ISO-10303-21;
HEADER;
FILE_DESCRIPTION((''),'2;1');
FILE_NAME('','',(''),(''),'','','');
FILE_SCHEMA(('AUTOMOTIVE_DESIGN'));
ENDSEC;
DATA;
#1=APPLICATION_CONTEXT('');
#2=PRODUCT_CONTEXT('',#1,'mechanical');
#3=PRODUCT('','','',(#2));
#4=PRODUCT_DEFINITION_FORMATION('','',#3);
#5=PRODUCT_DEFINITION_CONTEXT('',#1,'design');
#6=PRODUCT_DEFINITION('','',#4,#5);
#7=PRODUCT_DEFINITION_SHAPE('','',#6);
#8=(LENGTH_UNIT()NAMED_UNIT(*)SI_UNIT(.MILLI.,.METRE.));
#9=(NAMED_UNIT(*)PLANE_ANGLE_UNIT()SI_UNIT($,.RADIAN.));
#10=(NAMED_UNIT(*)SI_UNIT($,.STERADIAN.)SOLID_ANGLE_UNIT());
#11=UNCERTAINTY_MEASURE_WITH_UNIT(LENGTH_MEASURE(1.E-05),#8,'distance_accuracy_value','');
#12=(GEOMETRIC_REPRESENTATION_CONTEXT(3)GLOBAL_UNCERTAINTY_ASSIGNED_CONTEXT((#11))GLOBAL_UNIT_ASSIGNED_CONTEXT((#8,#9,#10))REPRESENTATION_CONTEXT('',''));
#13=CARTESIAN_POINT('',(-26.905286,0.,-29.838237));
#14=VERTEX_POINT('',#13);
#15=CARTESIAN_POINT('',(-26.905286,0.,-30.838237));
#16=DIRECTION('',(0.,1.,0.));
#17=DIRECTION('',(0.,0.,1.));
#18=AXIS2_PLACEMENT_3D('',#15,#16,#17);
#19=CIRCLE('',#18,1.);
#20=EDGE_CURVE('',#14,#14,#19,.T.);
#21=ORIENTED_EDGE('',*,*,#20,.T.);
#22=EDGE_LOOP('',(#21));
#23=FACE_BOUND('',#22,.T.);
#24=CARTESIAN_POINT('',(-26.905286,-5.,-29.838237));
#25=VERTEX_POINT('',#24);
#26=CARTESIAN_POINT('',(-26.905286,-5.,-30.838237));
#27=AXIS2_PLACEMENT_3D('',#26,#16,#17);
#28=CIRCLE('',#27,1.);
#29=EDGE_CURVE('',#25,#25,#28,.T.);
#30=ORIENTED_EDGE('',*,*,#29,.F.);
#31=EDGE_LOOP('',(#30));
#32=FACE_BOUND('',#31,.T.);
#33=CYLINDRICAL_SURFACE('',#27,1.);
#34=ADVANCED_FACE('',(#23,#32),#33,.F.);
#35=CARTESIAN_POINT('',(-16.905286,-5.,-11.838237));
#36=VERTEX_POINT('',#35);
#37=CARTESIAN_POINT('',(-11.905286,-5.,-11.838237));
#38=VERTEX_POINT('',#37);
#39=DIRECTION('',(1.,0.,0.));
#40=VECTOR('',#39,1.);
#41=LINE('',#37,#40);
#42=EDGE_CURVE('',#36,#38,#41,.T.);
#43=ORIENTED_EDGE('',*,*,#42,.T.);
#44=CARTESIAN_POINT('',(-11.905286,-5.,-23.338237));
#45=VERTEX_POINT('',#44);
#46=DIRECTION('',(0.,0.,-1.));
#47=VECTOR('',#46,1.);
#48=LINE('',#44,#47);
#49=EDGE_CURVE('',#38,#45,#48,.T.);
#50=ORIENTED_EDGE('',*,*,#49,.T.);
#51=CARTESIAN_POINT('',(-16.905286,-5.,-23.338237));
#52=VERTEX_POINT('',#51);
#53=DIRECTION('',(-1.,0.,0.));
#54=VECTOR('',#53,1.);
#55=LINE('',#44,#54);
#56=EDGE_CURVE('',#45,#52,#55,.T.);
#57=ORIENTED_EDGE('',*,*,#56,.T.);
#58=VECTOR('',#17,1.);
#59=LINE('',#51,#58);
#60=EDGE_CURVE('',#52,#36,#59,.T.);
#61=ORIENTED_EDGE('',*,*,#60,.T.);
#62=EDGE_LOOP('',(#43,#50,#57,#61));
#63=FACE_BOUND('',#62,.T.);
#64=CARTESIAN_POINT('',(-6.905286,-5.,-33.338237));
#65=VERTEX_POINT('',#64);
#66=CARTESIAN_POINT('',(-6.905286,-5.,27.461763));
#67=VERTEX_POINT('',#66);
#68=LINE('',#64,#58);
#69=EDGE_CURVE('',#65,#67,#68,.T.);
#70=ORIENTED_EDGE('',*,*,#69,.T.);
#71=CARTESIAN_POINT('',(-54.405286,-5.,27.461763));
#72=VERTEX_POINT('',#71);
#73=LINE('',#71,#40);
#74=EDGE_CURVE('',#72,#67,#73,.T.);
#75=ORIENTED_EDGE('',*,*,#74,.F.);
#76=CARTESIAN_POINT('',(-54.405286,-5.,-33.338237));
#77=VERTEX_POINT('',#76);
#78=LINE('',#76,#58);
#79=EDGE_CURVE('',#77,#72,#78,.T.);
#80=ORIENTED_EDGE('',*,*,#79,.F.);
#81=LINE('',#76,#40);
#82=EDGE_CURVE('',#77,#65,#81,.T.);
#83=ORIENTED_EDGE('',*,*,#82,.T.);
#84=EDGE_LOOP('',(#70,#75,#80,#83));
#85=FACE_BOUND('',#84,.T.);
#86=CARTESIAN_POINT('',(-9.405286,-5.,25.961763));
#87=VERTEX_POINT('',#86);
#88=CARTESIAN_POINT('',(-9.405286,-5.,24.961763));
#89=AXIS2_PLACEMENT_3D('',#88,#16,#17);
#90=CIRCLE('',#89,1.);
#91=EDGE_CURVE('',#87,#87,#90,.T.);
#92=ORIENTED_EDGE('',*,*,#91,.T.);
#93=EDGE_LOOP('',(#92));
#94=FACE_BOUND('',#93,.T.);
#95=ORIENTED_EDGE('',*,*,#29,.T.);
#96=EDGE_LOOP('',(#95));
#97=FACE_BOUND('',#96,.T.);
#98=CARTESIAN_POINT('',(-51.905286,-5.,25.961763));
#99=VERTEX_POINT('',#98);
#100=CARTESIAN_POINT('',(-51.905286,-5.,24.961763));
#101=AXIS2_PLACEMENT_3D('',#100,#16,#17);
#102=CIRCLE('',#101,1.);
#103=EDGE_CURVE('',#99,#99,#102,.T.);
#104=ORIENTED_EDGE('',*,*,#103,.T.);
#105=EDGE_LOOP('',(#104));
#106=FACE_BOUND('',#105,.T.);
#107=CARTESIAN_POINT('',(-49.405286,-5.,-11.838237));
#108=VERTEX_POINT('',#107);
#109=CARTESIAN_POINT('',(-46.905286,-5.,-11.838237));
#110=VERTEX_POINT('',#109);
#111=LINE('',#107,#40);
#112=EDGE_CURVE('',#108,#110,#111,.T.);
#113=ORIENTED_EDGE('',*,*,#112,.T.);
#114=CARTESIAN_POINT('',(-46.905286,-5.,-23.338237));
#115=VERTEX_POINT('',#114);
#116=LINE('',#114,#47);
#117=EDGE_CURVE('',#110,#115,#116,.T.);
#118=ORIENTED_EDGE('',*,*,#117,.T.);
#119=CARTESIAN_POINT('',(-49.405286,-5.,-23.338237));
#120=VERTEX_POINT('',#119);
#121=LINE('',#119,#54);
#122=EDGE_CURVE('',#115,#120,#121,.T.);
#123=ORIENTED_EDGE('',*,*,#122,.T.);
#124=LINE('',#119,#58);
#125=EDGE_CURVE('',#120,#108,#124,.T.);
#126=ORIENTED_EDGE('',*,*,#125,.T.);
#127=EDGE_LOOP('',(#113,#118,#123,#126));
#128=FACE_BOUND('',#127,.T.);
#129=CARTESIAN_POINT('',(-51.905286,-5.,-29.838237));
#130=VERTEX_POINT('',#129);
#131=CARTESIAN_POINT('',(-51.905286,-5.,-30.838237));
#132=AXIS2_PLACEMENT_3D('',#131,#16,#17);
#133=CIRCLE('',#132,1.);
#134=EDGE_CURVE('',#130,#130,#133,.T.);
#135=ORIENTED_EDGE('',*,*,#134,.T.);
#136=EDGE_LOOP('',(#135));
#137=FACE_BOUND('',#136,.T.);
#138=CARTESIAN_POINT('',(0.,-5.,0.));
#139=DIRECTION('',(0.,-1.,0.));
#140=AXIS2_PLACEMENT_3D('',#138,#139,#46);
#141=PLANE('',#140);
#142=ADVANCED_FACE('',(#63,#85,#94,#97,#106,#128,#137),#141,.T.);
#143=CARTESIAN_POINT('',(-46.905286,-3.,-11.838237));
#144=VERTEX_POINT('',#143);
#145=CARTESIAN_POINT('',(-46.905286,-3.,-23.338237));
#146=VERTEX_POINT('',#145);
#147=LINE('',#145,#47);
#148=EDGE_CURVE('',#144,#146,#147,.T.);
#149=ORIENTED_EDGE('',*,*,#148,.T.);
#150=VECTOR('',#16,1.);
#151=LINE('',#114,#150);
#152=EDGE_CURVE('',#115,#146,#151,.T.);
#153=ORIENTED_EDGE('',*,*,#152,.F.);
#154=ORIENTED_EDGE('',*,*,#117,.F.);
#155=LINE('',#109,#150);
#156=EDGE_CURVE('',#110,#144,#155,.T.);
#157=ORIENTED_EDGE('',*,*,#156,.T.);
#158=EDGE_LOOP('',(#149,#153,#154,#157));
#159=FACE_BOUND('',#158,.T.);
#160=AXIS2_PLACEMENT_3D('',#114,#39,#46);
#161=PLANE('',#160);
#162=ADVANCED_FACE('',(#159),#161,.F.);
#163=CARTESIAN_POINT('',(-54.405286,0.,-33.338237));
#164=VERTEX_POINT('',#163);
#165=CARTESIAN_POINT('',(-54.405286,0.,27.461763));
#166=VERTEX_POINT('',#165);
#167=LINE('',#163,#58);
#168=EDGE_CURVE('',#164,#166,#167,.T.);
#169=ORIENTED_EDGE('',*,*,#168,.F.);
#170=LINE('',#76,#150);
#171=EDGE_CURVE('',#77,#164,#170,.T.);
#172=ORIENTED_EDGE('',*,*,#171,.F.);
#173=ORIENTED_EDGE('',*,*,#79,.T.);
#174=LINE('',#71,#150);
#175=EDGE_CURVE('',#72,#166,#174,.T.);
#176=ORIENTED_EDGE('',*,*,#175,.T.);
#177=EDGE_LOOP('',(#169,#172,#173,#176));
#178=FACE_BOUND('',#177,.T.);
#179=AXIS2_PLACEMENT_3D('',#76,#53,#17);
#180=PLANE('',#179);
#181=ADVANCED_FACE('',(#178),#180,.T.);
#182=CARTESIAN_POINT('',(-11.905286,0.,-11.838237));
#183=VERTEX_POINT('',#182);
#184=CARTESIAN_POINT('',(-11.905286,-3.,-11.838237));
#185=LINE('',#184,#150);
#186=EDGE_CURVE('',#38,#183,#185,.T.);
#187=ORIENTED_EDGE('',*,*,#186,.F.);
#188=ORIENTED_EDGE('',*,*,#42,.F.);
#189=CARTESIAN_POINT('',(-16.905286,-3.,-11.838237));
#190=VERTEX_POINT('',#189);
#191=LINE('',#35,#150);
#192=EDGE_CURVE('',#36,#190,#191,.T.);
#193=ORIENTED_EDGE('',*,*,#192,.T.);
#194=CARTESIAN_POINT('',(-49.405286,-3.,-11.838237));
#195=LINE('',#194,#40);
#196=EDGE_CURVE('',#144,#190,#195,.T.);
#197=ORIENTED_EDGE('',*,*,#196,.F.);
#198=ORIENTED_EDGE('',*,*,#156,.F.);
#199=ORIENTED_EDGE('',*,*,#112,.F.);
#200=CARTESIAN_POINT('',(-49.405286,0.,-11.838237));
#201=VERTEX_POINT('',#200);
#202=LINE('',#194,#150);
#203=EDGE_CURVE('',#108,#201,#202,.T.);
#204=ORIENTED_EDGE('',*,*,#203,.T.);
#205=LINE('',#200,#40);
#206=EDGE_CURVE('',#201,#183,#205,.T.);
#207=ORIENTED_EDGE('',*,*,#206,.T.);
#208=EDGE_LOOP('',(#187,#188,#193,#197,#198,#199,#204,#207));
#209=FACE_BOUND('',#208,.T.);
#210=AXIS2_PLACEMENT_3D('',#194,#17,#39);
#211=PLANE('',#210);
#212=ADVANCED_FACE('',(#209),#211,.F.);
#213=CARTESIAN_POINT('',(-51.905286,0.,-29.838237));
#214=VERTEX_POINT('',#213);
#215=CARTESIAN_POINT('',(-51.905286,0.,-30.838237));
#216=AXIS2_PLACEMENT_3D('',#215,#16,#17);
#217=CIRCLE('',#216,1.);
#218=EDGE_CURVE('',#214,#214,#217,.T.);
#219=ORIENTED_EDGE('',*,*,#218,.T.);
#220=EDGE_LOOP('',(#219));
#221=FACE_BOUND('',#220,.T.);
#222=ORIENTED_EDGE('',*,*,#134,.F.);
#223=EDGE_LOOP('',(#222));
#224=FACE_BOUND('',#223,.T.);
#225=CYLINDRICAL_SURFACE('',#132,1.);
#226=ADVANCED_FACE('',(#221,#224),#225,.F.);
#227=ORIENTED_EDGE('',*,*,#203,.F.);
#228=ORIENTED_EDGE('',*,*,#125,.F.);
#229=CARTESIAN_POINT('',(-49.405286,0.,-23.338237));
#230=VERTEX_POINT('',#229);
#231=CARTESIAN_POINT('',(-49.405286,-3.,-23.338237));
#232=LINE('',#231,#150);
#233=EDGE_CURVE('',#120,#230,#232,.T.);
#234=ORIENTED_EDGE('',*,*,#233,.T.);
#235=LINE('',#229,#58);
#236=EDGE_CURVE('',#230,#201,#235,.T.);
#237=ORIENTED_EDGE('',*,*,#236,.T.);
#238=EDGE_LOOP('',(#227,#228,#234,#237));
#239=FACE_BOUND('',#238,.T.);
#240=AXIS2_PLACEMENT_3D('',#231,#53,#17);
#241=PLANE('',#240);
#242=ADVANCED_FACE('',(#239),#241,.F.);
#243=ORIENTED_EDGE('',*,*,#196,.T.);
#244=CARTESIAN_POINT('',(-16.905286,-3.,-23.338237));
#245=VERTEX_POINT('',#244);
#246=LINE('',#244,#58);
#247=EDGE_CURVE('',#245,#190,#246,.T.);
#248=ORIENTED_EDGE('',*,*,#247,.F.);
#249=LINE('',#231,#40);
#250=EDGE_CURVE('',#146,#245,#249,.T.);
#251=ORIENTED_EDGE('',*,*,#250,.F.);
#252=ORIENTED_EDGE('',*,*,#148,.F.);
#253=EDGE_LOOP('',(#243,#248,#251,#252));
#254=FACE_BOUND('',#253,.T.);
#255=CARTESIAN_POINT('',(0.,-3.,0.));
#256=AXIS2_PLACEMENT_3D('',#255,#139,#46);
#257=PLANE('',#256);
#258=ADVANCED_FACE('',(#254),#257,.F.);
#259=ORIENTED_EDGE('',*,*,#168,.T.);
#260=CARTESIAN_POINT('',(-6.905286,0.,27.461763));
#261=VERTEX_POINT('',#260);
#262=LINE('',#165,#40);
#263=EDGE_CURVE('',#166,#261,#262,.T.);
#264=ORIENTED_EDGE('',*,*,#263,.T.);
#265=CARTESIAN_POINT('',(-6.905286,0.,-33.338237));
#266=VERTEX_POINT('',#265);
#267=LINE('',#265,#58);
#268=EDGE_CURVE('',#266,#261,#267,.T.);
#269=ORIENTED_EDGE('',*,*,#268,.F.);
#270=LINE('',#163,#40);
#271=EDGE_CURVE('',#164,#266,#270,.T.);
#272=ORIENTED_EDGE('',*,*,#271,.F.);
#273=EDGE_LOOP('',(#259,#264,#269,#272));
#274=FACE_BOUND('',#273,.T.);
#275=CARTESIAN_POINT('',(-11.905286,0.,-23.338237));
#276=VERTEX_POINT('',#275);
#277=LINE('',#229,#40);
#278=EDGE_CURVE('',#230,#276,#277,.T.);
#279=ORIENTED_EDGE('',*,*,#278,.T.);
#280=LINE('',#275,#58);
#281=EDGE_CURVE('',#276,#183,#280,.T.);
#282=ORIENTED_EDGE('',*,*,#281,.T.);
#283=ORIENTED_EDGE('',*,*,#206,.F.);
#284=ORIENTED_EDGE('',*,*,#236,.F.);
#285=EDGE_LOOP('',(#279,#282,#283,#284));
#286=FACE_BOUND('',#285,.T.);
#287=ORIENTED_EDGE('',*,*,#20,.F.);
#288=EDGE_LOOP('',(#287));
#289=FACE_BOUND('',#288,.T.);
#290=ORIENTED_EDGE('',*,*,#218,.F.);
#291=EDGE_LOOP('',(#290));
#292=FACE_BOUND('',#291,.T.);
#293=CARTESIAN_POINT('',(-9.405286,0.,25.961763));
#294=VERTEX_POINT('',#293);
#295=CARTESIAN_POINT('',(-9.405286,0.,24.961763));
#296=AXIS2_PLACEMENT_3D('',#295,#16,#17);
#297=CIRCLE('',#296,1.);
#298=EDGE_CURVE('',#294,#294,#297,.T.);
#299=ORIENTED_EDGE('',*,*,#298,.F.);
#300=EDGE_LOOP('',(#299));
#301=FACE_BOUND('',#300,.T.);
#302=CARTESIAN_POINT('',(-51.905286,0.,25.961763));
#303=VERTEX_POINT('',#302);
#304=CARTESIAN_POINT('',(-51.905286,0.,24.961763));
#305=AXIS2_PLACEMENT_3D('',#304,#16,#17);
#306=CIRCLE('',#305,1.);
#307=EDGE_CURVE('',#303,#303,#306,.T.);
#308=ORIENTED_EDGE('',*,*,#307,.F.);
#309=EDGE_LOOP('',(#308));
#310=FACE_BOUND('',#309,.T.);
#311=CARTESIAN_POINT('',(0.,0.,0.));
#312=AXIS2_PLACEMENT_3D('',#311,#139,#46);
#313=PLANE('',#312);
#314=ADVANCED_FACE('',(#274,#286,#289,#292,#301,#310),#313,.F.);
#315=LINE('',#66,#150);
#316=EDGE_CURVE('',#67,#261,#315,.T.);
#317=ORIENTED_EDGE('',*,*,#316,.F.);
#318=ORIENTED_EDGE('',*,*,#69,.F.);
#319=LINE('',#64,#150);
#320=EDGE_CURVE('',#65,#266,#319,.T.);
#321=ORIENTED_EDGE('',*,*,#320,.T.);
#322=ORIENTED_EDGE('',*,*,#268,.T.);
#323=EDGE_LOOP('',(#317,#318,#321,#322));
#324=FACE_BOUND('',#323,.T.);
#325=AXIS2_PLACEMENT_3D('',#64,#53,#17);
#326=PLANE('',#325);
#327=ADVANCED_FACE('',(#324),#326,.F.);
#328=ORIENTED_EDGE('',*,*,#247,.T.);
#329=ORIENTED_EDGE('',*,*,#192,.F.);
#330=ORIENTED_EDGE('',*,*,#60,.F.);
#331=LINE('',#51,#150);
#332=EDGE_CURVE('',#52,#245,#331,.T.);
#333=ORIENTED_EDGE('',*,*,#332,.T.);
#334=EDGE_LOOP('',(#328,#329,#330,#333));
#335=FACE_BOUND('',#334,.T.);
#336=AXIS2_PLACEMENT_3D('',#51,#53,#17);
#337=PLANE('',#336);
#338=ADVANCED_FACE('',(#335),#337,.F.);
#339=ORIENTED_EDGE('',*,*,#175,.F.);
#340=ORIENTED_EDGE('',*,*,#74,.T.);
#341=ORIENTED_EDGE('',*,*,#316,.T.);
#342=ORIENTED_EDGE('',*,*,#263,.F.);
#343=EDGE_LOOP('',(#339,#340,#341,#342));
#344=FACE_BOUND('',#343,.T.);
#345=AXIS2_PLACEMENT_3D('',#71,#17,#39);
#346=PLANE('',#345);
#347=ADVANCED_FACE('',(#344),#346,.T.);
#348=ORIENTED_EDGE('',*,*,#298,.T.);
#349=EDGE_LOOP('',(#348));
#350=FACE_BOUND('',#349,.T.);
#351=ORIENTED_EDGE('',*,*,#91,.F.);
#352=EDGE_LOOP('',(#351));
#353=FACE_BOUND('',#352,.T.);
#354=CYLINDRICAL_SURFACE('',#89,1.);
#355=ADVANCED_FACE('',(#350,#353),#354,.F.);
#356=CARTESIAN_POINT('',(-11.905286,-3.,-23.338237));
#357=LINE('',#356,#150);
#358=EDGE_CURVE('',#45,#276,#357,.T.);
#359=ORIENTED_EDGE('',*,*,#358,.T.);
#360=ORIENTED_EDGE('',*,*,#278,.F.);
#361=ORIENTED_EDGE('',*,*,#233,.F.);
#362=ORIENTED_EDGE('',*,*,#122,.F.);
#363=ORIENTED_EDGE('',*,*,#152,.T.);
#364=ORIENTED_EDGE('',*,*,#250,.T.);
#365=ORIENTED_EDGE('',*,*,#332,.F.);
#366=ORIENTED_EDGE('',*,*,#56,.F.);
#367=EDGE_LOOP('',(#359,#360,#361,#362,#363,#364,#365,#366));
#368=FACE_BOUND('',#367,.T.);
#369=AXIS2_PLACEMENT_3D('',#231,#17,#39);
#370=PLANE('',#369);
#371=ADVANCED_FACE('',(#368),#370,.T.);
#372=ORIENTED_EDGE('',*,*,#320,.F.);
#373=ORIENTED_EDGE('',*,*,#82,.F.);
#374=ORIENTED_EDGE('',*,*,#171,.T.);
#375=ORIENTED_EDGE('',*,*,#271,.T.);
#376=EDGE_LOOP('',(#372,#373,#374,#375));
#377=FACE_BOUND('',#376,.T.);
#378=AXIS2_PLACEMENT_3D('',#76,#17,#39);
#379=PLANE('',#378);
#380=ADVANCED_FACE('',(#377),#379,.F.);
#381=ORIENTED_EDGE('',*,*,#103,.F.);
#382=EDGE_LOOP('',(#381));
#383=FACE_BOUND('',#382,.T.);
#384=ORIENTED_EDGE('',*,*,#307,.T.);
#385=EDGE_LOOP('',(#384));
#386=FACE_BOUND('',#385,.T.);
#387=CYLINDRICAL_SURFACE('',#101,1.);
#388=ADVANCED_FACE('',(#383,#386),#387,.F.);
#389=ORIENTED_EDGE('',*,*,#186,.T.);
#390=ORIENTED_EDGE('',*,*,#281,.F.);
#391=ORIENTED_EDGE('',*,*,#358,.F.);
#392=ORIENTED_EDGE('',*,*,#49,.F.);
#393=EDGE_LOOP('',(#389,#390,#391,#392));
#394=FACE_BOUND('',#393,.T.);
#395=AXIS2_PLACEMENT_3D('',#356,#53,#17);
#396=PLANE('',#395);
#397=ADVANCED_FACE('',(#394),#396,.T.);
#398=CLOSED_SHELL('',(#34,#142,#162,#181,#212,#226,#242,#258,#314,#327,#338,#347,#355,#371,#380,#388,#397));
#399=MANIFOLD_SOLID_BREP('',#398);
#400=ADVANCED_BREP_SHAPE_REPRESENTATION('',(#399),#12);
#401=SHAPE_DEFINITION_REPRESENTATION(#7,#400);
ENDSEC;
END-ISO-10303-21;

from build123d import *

# Parameters (mm, degrees)
SKETCH_1_W          = 47.5
SKETCH_1_H          = 60.8
EXTRUDE_1_DEPTH     = 5
SKETCH_2_W          = 37.5
SKETCH_2_H          = 11.5
CUT_EXTRUDE_1_DEPTH = 3
SKETCH_3_W          = 2.5
SKETCH_3_H          = 11.5
SKETCH_3_W_2        = 5
CUT_EXTRUDE_2_DEPTH = 2
SKETCH_4_R          = 1
CUT_EXTRUDE_3_DEPTH = 5


with BuildPart() as part:
    # 草图1 → 凸台-拉伸1 (new body)
    with BuildSketch(Plane(origin=(0, 0, 0), x_dir=(1, 0, 0), z_dir=(0, 1, 0))):
        with Locations((-30.655286344, 2.938237127)):
            Rectangle(SKETCH_1_W, SKETCH_1_H)
    extrude(amount=-EXTRUDE_1_DEPTH)

    # 草图2 → 切除-拉伸1 (cut)
    with BuildSketch(Plane(origin=(0, 0, 0), x_dir=(1, 0, 0), z_dir=(0, 1, 0))):
        with Locations((-30.655286344, 17.588237127)):
            Rectangle(SKETCH_2_W, SKETCH_2_H)
    extrude(amount=-CUT_EXTRUDE_1_DEPTH, mode=Mode.SUBTRACT)

    # 草图3 → 切除-拉伸2 (cut)
    with BuildSketch(Plane(origin=(0, -3, 0), x_dir=(1, 0, 0), z_dir=(0, 1, 0))):
        with Locations((-48.155286344, 17.588237127)):
            Rectangle(SKETCH_3_W, SKETCH_3_H)
        with Locations((-14.405286344, 17.588237127)):
            Rectangle(SKETCH_3_W_2, SKETCH_3_H)
    extrude(amount=-CUT_EXTRUDE_2_DEPTH, mode=Mode.SUBTRACT)

    # 草图4 → 切除-拉伸3 (cut)
    with BuildSketch(Plane(origin=(0, 0, 0), x_dir=(1, 0, 0), z_dir=(0, 1, 0))):
        with Locations(Location((-9.405286344, -24.961762873, 0), (0, 0, 270))):
            Circle(SKETCH_4_R)
        with Locations(Location((-51.905286344, -24.961762873, 0), (0, 0, 270))):
            Circle(SKETCH_4_R)
        with Locations(Location((-51.905286344, 30.838237127, 0), (0, 0, 270))):
            Circle(SKETCH_4_R)
        with Locations(Location((-26.905286344, 30.838237127, 0), (0, 0, 270))):
            Circle(SKETCH_4_R)
    extrude(amount=-CUT_EXTRUDE_3_DEPTH, mode=Mode.SUBTRACT)


solid = part.part
